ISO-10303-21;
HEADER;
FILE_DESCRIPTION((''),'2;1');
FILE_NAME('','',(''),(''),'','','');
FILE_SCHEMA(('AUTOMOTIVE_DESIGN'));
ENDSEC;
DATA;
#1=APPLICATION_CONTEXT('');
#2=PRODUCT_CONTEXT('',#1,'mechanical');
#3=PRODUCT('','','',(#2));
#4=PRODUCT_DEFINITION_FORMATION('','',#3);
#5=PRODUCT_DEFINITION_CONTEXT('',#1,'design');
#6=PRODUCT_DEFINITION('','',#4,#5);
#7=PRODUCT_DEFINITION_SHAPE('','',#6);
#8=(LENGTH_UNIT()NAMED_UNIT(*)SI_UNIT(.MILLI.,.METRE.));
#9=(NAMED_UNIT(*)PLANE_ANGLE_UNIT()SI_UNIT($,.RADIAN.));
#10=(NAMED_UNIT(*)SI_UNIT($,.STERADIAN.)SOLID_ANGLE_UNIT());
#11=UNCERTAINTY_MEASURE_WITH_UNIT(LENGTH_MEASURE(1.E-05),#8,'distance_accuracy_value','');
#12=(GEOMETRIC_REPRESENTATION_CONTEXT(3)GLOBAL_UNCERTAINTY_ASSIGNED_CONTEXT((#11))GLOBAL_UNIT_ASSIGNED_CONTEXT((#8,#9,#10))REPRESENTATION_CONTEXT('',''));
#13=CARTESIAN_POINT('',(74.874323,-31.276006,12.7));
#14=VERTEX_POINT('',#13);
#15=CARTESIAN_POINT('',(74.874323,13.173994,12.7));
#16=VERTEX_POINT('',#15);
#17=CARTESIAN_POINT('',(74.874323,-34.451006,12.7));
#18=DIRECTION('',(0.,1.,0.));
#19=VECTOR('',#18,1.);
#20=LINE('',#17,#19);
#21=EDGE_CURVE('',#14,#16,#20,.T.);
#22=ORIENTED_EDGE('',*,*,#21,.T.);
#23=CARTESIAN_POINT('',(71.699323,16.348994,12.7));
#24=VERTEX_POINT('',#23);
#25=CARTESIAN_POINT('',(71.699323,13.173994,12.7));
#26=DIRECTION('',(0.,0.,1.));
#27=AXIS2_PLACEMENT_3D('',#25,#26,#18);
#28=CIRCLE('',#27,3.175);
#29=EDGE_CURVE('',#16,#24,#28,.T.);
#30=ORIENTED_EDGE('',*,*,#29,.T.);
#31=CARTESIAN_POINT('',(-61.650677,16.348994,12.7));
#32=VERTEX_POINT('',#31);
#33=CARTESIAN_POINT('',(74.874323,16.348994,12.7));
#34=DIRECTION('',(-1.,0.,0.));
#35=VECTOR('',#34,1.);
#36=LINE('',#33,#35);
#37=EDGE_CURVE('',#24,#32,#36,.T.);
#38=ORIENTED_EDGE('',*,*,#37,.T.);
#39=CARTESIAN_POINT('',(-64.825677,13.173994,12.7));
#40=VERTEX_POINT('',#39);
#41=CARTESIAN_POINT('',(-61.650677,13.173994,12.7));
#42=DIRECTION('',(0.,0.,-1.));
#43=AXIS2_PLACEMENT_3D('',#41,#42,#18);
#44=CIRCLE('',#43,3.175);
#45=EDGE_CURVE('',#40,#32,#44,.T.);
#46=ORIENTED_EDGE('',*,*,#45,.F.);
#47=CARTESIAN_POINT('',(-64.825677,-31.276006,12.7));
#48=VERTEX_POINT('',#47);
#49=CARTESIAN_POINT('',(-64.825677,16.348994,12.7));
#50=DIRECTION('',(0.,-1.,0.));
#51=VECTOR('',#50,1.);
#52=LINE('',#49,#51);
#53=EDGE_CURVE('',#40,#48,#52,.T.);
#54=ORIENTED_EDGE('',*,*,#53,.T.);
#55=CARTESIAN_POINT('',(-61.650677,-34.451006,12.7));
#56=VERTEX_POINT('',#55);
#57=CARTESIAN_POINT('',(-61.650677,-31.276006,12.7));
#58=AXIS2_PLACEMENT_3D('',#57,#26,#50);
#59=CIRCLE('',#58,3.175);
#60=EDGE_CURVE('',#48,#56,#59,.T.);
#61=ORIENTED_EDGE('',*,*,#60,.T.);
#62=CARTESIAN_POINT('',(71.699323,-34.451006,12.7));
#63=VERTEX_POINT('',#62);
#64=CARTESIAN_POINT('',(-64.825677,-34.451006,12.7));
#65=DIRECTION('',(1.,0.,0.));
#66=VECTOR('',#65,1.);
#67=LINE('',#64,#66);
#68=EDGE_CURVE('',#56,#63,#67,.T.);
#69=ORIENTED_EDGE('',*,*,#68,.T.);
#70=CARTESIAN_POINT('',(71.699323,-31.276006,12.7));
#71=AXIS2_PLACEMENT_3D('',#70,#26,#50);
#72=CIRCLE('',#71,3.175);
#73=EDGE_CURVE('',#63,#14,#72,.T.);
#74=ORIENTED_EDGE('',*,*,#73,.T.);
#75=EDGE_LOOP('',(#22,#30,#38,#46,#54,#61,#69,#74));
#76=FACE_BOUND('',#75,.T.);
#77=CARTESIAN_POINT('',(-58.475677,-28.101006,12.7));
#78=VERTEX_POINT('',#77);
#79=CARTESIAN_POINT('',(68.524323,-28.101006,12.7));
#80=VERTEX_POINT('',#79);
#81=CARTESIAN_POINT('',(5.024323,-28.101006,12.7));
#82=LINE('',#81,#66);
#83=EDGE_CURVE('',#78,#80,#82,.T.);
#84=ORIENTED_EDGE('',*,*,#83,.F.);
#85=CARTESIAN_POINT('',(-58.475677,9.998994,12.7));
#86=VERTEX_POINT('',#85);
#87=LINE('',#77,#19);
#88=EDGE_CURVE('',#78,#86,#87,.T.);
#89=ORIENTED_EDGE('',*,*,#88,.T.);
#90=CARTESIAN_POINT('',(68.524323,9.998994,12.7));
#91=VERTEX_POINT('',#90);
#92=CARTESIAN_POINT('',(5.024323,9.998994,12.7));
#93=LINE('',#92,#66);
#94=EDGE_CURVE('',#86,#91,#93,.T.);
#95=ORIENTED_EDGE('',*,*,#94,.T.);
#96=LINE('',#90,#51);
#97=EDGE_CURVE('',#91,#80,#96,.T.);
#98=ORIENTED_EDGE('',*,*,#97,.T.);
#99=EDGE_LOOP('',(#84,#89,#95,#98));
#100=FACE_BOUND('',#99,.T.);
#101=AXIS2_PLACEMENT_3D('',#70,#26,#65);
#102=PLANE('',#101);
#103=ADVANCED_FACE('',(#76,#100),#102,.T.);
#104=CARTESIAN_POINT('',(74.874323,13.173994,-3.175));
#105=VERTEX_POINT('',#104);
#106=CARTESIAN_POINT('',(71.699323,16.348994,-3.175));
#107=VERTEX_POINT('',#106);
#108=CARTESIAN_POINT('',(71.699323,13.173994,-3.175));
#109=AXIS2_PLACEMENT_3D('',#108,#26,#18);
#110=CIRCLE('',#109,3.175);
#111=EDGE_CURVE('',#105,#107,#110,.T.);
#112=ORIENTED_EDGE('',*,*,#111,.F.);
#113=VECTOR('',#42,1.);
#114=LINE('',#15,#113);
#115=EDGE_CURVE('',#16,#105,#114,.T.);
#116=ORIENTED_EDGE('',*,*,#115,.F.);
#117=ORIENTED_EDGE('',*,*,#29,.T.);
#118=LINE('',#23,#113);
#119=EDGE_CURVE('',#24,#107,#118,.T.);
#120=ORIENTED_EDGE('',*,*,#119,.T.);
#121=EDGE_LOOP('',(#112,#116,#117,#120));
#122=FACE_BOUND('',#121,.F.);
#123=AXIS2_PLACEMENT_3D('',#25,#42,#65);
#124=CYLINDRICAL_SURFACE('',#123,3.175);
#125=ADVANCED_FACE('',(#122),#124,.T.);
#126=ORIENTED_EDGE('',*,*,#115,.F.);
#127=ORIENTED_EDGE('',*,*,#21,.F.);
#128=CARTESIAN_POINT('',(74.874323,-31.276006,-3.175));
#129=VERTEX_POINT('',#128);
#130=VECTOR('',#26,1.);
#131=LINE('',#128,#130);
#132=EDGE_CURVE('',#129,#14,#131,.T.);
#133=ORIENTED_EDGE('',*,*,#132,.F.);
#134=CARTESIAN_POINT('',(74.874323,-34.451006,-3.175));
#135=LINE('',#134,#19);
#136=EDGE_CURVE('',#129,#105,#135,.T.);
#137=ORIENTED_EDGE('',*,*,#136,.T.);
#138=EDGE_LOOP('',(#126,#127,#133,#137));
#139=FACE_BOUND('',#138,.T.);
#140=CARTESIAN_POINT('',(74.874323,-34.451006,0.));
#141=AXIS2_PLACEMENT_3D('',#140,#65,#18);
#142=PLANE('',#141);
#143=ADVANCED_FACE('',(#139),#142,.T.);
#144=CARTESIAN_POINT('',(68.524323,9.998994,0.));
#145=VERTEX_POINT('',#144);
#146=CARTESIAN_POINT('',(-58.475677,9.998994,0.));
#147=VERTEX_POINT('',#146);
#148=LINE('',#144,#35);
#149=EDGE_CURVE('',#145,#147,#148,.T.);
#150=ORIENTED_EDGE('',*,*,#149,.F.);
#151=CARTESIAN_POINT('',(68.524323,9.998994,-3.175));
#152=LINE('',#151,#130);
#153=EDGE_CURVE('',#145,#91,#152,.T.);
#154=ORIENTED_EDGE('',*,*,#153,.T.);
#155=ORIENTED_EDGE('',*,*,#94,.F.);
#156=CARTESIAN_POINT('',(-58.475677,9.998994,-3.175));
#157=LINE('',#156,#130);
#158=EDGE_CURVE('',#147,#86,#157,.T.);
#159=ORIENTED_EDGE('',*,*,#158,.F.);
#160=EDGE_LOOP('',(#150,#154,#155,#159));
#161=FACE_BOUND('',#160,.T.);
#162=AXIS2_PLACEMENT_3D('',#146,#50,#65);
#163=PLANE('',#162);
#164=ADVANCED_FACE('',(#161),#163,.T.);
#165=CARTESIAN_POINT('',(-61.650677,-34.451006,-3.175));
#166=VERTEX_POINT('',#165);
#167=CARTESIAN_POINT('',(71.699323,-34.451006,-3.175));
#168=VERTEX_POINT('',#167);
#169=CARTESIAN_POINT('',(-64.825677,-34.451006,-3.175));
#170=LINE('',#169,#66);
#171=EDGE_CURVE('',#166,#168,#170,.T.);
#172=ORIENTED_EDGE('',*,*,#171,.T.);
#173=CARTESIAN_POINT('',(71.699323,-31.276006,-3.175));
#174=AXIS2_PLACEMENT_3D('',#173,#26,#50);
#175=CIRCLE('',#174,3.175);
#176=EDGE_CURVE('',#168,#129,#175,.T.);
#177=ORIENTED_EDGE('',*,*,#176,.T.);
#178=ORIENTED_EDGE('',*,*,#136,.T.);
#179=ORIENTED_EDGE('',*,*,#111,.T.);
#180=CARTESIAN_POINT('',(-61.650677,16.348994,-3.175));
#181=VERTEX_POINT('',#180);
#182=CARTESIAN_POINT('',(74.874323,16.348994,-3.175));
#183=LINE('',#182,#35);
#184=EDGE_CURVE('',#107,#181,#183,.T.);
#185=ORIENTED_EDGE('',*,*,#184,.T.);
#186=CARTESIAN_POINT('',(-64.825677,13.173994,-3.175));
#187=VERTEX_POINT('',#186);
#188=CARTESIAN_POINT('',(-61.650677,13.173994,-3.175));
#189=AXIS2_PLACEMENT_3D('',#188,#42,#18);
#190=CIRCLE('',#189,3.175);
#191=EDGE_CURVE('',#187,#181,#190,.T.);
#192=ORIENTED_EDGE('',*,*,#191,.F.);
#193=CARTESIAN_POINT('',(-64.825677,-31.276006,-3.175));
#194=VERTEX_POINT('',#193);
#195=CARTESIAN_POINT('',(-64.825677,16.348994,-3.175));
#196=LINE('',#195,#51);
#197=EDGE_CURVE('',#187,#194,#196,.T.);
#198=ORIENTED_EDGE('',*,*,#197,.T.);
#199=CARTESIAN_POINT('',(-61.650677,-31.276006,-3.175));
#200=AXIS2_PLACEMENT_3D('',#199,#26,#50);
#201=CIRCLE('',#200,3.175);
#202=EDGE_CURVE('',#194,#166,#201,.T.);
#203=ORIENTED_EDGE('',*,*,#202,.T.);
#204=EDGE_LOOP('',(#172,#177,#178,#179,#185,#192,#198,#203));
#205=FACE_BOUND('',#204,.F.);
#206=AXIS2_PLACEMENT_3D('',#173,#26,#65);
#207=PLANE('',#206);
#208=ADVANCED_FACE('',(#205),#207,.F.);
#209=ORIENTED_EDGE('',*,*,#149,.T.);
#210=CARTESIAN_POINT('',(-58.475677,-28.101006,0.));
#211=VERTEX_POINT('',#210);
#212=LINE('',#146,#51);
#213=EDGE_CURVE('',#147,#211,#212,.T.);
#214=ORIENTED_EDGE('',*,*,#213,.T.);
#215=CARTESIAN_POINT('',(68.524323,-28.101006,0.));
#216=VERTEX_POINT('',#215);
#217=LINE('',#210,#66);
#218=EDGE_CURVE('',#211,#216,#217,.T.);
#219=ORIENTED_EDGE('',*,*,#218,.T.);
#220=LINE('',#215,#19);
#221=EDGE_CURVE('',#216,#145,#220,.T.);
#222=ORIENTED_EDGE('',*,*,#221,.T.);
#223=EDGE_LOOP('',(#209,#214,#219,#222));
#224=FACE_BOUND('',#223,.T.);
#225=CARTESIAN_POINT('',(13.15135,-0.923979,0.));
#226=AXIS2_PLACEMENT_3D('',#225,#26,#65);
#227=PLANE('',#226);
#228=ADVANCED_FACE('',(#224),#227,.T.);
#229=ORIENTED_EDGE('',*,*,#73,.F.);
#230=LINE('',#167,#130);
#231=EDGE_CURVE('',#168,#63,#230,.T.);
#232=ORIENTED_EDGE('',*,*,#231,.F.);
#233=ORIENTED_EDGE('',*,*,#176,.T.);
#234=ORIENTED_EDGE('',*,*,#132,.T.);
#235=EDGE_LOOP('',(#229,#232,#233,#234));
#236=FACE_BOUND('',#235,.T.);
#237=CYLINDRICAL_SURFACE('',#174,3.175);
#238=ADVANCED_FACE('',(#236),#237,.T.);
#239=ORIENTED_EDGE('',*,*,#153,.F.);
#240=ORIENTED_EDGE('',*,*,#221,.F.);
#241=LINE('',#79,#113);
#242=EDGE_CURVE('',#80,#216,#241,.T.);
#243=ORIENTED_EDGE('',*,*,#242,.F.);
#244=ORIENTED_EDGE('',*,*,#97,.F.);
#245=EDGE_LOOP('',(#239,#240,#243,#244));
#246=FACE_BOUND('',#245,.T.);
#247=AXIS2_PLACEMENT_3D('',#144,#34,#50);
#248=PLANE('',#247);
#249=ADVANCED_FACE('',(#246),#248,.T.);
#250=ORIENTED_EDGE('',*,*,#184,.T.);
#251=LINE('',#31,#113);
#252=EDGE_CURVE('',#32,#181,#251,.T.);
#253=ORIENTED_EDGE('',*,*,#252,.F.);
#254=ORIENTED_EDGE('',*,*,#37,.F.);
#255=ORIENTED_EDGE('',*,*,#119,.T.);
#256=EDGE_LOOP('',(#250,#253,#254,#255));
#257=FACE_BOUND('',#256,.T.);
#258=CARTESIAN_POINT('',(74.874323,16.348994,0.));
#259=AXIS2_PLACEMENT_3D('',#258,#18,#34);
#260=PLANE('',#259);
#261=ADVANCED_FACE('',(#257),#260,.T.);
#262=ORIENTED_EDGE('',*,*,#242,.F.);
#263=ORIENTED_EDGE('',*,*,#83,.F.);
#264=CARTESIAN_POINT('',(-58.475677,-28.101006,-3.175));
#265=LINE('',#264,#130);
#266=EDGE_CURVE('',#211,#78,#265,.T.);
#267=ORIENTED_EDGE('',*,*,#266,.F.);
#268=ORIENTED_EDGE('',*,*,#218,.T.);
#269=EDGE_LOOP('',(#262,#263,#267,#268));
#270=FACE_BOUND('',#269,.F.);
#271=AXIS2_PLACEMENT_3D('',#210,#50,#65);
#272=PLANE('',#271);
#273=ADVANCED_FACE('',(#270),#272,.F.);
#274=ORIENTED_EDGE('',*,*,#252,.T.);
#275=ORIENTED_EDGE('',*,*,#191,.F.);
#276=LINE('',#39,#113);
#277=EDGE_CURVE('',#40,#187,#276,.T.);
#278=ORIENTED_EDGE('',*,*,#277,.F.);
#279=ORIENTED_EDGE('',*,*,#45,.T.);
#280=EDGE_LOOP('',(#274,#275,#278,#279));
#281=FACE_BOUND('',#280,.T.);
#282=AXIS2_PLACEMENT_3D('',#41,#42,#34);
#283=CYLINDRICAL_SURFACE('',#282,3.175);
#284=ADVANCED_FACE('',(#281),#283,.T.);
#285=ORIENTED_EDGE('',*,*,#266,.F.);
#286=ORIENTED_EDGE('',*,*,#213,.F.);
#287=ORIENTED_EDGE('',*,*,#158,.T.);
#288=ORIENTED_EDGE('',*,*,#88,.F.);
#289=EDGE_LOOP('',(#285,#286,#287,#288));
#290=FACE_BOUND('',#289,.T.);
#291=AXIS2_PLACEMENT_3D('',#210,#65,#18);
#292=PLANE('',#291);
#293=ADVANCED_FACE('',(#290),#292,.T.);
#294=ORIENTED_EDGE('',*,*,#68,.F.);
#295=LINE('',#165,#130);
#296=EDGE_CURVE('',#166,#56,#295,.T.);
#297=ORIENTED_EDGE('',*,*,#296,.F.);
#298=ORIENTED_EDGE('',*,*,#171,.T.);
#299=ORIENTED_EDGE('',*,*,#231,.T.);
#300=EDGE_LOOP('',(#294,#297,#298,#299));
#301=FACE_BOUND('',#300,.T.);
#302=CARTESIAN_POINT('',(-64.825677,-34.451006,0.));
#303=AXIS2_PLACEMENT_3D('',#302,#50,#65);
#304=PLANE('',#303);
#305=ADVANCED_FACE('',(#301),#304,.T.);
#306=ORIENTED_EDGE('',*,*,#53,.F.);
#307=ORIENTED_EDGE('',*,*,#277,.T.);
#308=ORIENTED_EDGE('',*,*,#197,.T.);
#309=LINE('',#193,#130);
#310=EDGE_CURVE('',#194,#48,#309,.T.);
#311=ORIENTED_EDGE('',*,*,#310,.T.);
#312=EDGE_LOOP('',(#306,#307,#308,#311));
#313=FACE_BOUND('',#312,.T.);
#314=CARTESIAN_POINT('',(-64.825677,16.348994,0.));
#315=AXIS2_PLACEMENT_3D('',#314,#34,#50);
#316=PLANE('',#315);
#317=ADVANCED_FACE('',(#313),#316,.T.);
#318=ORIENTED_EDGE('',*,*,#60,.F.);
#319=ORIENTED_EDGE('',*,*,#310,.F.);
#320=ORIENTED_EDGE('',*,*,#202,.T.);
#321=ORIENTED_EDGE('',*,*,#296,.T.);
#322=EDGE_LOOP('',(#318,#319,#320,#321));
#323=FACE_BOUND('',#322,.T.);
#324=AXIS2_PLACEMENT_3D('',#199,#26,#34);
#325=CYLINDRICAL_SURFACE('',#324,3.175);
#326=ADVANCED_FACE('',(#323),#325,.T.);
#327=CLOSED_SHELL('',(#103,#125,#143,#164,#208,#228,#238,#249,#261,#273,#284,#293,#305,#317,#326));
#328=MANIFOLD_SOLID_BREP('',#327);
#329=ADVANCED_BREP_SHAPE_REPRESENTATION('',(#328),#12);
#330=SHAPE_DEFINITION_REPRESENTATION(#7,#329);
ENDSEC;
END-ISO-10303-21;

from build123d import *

# Parameters (mm, degrees)
F0_W     = 6.35
F0_H     = 6.35
F0_H_2   = 38.1
F0_W_2   = 127
F1_DEPTH = 12.7
F2_DEPTH = 3.175
F3_DEPTH = 3.175
F4_R     = 3.175


with BuildPart() as f1:
    # F0 (on Top) → F1 (new body)
    with BuildSketch(Plane.XY):
        with Locations((71.6993232399, -31.2760059339)):
            Rectangle(F0_W, F0_H)
        with Locations((-61.6506767601, -9.0510059339)):
            Rectangle(F0_W, F0_H_2)
        with Locations((-61.6506767601, 13.1739940661)):
            Rectangle(F0_W, F0_H)
        with Locations((5.0243232399, 13.1739940661)):
            Rectangle(F0_W_2, F0_H)
        with Locations((71.6993232399, -9.0510059339)):
            Rectangle(F0_W, F0_H_2)
        with Locations((71.6993232399, 13.1739940661)):
            Rectangle(F0_W, F0_H)
        with Locations((5.0243232399, -31.2760059339)):
            Rectangle(F0_W_2, F0_H)
        with Locations((-61.6506767601, -31.2760059339)):
            Rectangle(F0_W, F0_H)
    extrude(amount=F1_DEPTH)

    # F2 (add): a face of the model
    f2_faces = [f1.faces().sort_by_distance(p)[0] for p in [
        (-63.3391798714, -9.0510059339, 0),
    ]]
    extrude(f2_faces, amount=F2_DEPTH)

    # F0 (on Top) → F3 (join)
    with BuildSketch(Plane.XY):
        Polygon((68.5243232399, 9.9989940661), (-58.4756767601, 9.9989940661), (68.5243232399, -28.1010059339), align=None)
        Polygon((68.5243232399, -28.1010059339), (-58.4756767601, 9.9989940661), (-58.4756767601, -28.1010059339), align=None)
    extrude(amount=-F3_DEPTH)

    # F4
    f4_edges = [f1.edges().sort_by_distance(p)[0] for p in [
        (-64.825677, -34.451006, 4.7625),
        (-64.825677, 16.348994, 4.7625),
        (74.874323, -34.451006, 4.7625),
        (74.874323, 16.348994, 4.7625),
    ]]
    fillet(f4_edges, radius=F4_R)


solid = f1.part
